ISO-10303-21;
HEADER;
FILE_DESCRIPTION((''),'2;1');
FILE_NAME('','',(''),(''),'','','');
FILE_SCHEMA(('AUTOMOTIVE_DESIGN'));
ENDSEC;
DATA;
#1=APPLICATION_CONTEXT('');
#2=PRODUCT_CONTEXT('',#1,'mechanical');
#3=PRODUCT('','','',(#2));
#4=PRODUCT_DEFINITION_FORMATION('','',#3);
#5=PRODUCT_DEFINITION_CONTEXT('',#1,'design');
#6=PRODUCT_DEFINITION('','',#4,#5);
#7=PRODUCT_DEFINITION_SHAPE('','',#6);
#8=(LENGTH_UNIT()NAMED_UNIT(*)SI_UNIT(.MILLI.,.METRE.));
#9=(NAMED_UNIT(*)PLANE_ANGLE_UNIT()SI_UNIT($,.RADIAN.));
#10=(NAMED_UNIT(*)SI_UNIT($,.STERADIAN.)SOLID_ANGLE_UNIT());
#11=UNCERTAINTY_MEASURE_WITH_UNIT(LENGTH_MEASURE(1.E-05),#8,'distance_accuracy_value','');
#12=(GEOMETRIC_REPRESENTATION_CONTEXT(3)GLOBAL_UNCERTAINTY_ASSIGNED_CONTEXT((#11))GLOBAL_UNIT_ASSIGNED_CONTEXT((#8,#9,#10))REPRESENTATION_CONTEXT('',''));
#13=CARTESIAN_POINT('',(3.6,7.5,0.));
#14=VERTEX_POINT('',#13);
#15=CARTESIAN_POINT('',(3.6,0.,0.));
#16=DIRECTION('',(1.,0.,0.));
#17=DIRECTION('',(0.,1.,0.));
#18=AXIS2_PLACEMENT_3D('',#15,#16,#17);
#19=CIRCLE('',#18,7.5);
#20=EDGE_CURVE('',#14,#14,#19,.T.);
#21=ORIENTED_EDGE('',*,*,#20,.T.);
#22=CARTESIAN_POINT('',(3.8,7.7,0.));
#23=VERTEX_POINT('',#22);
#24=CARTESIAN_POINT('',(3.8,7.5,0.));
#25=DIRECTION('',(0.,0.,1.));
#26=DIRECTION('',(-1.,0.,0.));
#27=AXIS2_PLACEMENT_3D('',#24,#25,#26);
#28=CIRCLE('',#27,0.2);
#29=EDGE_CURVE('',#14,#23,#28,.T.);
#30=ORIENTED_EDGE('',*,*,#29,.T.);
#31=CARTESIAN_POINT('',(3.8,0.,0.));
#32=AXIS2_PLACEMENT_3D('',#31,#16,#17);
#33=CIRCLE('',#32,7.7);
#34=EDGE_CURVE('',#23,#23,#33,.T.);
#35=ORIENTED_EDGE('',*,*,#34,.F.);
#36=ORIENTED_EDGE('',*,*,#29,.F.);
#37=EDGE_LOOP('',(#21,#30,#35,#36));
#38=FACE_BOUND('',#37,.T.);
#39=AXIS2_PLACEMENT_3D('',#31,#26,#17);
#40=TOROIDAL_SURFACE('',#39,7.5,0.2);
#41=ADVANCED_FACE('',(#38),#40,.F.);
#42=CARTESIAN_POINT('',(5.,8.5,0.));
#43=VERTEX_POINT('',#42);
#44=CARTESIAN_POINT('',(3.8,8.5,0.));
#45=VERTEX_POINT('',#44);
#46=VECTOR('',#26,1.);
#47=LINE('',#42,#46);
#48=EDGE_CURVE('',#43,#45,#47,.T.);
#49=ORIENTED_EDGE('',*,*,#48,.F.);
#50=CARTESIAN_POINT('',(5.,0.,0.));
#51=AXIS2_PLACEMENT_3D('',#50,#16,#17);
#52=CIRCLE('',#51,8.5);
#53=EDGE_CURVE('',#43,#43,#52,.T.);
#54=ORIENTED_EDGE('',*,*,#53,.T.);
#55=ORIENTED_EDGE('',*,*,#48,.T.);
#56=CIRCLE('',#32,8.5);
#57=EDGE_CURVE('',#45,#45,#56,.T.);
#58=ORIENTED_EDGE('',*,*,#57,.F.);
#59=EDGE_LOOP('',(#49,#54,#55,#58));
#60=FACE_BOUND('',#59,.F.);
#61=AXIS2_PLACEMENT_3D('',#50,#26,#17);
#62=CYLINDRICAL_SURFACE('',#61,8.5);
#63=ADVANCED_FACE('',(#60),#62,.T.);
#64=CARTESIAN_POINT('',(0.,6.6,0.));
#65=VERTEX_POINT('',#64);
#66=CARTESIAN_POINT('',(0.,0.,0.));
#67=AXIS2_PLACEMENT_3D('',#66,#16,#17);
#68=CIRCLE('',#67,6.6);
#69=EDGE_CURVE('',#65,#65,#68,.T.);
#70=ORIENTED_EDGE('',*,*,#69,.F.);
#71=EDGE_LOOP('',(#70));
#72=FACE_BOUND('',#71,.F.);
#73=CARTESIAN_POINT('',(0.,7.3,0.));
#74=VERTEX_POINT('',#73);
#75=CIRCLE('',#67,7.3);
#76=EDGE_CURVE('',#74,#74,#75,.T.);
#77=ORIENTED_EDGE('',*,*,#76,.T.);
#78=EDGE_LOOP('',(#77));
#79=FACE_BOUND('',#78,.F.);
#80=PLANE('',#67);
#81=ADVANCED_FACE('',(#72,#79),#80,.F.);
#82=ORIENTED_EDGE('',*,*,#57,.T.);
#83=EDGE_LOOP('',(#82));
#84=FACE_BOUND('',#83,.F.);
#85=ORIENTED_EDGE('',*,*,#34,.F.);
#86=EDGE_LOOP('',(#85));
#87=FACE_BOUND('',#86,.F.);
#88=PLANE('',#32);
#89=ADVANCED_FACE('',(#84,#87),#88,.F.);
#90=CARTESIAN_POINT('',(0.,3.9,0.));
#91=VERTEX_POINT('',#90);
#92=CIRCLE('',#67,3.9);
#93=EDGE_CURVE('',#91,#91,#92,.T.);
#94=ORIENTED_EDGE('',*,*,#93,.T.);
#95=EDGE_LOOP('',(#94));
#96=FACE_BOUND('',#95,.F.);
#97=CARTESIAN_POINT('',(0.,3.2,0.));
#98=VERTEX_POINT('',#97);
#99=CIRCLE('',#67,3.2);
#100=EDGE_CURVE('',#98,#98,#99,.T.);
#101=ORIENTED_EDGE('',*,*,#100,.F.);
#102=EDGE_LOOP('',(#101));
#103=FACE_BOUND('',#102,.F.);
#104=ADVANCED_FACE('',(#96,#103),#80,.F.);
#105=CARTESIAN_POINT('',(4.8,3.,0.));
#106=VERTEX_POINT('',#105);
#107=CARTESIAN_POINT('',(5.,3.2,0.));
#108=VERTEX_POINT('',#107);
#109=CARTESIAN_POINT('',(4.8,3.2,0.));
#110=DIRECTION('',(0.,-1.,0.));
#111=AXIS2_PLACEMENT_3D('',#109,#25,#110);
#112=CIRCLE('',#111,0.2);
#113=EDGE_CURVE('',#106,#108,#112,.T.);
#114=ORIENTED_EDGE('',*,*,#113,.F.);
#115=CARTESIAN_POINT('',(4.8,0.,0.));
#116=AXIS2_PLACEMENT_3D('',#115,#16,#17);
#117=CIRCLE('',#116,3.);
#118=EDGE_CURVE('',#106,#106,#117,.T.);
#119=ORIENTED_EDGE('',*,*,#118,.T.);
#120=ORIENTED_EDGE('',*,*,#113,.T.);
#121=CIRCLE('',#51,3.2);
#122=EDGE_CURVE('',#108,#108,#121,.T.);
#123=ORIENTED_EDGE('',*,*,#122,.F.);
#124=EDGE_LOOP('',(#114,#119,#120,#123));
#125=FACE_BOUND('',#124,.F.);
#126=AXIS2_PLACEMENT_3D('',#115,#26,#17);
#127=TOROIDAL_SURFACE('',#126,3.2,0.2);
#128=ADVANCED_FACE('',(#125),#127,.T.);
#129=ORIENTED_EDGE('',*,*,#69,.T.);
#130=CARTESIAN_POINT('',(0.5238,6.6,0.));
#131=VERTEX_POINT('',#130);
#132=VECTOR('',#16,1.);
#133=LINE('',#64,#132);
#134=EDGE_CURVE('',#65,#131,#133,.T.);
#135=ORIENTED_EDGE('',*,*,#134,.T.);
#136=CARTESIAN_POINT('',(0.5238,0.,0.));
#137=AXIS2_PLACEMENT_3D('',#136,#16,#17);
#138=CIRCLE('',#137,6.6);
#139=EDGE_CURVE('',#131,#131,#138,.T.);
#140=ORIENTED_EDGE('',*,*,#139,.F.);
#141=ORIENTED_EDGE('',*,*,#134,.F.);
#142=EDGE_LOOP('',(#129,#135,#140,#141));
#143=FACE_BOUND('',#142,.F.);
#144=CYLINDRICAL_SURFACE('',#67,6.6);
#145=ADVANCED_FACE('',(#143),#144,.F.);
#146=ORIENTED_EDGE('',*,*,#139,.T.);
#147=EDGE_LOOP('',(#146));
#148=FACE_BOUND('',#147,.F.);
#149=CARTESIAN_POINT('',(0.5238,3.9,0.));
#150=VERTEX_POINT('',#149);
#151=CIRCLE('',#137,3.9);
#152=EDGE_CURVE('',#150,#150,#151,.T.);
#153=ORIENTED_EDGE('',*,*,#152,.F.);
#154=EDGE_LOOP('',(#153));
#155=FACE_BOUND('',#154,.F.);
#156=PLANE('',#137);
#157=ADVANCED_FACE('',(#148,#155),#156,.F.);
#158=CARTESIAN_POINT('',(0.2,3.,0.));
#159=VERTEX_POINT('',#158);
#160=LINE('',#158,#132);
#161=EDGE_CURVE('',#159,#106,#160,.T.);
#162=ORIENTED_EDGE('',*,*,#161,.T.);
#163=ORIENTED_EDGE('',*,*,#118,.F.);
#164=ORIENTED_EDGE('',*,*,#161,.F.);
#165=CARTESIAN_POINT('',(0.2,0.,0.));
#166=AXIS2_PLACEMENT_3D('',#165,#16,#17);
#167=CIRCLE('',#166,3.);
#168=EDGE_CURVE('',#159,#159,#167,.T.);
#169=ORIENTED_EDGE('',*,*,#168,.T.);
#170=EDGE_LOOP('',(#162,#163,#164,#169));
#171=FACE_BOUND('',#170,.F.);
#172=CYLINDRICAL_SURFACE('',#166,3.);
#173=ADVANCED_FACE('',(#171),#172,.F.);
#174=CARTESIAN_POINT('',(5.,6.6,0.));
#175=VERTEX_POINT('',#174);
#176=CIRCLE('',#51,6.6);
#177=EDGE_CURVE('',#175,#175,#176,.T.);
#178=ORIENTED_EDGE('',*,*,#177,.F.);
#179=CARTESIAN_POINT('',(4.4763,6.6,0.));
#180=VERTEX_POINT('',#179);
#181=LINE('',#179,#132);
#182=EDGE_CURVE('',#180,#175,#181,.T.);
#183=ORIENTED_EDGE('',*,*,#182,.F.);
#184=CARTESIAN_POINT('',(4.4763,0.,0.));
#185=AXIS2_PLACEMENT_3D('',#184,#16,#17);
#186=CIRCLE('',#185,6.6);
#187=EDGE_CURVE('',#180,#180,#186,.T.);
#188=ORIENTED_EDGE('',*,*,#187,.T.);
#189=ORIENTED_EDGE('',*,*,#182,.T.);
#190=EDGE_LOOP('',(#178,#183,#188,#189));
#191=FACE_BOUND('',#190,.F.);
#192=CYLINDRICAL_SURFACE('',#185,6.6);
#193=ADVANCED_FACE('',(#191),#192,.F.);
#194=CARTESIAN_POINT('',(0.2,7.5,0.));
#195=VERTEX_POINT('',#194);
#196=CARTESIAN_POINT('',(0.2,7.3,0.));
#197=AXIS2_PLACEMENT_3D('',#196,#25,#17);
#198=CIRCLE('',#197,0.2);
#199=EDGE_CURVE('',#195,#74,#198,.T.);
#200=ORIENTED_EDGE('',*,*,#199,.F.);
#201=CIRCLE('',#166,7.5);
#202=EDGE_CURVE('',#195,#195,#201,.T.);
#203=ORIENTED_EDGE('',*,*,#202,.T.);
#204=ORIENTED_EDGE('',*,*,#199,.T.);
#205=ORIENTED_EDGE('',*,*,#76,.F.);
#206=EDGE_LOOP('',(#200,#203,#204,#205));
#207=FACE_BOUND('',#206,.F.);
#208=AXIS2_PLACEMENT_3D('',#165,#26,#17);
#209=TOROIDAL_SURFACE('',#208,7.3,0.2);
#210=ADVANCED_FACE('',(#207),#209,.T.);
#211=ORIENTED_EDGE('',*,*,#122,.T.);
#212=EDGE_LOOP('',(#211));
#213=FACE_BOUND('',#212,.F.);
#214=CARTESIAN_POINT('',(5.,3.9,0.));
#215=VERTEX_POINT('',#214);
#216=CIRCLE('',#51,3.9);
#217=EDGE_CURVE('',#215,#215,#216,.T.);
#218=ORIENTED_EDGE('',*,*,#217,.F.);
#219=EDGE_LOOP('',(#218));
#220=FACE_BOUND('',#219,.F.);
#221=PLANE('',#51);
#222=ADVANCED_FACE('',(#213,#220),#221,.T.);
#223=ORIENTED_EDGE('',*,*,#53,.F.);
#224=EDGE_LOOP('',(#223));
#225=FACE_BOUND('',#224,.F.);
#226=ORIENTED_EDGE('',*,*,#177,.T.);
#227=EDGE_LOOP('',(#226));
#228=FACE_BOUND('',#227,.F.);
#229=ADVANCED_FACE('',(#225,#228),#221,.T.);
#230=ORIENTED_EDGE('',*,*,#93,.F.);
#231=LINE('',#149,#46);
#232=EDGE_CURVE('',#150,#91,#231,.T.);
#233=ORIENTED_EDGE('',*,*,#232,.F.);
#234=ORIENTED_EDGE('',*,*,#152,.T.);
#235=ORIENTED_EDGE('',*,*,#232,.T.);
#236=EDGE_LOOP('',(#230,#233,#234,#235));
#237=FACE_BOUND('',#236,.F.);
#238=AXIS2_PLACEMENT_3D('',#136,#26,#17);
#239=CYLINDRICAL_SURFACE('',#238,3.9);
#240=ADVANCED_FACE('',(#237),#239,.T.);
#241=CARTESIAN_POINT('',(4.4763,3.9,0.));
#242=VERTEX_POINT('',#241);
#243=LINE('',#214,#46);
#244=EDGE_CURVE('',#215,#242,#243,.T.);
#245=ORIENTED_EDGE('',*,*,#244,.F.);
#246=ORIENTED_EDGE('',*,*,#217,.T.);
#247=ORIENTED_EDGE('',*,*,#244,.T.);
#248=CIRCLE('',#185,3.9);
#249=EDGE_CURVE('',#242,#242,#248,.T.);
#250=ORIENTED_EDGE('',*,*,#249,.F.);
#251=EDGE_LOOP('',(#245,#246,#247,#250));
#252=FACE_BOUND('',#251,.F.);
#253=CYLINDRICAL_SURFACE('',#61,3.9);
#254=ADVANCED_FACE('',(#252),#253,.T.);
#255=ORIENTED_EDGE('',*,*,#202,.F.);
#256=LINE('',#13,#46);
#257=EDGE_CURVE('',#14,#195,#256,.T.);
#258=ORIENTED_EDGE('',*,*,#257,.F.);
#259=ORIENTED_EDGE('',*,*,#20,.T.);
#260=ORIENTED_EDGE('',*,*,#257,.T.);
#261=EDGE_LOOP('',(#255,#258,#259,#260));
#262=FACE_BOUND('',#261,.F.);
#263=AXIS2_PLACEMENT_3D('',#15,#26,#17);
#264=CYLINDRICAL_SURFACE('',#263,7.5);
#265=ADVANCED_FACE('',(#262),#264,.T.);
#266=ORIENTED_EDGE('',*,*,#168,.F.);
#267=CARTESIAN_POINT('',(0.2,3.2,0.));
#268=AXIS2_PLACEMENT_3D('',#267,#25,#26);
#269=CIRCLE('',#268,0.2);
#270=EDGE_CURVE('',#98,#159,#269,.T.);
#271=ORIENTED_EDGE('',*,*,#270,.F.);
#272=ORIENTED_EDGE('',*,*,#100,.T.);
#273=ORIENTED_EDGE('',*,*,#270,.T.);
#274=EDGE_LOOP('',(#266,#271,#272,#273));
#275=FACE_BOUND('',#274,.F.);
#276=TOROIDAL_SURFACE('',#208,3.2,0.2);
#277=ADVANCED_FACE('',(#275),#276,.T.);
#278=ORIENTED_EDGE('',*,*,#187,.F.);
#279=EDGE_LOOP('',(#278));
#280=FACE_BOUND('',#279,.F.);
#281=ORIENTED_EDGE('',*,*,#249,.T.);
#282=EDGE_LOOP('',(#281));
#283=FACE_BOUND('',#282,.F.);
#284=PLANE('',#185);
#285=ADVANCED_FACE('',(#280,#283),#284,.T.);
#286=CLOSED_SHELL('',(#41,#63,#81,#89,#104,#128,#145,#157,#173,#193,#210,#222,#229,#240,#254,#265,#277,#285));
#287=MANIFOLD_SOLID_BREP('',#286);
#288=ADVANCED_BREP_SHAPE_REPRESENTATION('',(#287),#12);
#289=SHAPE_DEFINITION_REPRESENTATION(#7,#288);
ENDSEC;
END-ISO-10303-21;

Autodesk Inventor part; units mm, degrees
sketch "Sketch_1" plane through (0, 0, 0) normal (0, 0, 1) x (1, 0, 0)
  line L0 (15, 0) -> (-15, 0)
  arc A0 (0, 3.2) -> (0.2, 3) centre (0.2, 3.2) ccw
  line L1 (0.2, 3) -> (4.8, 3)
  arc A1 (4.8, 3) -> (5, 3.2) centre (4.8, 3.2) ccw
  line L2 (5, 3.2) -> (5, 3.9)
  line L3 (5, 3.9) -> (4.4763, 3.9)
  line L4 (4.4763, 3.9) -> (4.4763, 6.6)
  line L5 (4.4763, 6.6) -> (5, 6.6)
  line L6 (5, 6.6) -> (5, 8.5)
  line L7 (5, 8.5) -> (3.8, 8.5)
  line L8 (3.8, 8.5) -> (3.8, 7.7)
  arc A2 (3.6, 7.5) -> (3.8, 7.7) centre (3.8, 7.5) ccw
  line L9 (3.6, 7.5) -> (0.2, 7.5)
  arc A3 (0.2, 7.5) -> (0, 7.3) centre (0.2, 7.3) ccw
  line L10 (0, 7.3) -> (0, 6.6)
  line L11 (0, 6.6) -> (0.5238, 6.6)
  line L12 (0.5238, 6.6) -> (0.5238, 3.9)
  line L13 (0.5238, 3.9) -> (0, 3.9)
  line L14 (0, 3.9) -> (0, 3.2)
revolve "Revolution1" add sketch "Sketch_1" angle 360 about axis through (15, 0, 0) along (1, 0, 0)
ref_plane "to_housing_XY" through (0, 0, 0) normal (1, 0, 0) x (0, 0, -1)
ref_plane "to_housing_YZ" through (0, 0, 0) normal (0, 0, -1) x (0, 1, 0)
ref_plane "to_housing_ZX" through (0, 0, 0) normal (0, 1, 0) x (1, 0, 0)
properties part number "FL696ZZ_CPY"
